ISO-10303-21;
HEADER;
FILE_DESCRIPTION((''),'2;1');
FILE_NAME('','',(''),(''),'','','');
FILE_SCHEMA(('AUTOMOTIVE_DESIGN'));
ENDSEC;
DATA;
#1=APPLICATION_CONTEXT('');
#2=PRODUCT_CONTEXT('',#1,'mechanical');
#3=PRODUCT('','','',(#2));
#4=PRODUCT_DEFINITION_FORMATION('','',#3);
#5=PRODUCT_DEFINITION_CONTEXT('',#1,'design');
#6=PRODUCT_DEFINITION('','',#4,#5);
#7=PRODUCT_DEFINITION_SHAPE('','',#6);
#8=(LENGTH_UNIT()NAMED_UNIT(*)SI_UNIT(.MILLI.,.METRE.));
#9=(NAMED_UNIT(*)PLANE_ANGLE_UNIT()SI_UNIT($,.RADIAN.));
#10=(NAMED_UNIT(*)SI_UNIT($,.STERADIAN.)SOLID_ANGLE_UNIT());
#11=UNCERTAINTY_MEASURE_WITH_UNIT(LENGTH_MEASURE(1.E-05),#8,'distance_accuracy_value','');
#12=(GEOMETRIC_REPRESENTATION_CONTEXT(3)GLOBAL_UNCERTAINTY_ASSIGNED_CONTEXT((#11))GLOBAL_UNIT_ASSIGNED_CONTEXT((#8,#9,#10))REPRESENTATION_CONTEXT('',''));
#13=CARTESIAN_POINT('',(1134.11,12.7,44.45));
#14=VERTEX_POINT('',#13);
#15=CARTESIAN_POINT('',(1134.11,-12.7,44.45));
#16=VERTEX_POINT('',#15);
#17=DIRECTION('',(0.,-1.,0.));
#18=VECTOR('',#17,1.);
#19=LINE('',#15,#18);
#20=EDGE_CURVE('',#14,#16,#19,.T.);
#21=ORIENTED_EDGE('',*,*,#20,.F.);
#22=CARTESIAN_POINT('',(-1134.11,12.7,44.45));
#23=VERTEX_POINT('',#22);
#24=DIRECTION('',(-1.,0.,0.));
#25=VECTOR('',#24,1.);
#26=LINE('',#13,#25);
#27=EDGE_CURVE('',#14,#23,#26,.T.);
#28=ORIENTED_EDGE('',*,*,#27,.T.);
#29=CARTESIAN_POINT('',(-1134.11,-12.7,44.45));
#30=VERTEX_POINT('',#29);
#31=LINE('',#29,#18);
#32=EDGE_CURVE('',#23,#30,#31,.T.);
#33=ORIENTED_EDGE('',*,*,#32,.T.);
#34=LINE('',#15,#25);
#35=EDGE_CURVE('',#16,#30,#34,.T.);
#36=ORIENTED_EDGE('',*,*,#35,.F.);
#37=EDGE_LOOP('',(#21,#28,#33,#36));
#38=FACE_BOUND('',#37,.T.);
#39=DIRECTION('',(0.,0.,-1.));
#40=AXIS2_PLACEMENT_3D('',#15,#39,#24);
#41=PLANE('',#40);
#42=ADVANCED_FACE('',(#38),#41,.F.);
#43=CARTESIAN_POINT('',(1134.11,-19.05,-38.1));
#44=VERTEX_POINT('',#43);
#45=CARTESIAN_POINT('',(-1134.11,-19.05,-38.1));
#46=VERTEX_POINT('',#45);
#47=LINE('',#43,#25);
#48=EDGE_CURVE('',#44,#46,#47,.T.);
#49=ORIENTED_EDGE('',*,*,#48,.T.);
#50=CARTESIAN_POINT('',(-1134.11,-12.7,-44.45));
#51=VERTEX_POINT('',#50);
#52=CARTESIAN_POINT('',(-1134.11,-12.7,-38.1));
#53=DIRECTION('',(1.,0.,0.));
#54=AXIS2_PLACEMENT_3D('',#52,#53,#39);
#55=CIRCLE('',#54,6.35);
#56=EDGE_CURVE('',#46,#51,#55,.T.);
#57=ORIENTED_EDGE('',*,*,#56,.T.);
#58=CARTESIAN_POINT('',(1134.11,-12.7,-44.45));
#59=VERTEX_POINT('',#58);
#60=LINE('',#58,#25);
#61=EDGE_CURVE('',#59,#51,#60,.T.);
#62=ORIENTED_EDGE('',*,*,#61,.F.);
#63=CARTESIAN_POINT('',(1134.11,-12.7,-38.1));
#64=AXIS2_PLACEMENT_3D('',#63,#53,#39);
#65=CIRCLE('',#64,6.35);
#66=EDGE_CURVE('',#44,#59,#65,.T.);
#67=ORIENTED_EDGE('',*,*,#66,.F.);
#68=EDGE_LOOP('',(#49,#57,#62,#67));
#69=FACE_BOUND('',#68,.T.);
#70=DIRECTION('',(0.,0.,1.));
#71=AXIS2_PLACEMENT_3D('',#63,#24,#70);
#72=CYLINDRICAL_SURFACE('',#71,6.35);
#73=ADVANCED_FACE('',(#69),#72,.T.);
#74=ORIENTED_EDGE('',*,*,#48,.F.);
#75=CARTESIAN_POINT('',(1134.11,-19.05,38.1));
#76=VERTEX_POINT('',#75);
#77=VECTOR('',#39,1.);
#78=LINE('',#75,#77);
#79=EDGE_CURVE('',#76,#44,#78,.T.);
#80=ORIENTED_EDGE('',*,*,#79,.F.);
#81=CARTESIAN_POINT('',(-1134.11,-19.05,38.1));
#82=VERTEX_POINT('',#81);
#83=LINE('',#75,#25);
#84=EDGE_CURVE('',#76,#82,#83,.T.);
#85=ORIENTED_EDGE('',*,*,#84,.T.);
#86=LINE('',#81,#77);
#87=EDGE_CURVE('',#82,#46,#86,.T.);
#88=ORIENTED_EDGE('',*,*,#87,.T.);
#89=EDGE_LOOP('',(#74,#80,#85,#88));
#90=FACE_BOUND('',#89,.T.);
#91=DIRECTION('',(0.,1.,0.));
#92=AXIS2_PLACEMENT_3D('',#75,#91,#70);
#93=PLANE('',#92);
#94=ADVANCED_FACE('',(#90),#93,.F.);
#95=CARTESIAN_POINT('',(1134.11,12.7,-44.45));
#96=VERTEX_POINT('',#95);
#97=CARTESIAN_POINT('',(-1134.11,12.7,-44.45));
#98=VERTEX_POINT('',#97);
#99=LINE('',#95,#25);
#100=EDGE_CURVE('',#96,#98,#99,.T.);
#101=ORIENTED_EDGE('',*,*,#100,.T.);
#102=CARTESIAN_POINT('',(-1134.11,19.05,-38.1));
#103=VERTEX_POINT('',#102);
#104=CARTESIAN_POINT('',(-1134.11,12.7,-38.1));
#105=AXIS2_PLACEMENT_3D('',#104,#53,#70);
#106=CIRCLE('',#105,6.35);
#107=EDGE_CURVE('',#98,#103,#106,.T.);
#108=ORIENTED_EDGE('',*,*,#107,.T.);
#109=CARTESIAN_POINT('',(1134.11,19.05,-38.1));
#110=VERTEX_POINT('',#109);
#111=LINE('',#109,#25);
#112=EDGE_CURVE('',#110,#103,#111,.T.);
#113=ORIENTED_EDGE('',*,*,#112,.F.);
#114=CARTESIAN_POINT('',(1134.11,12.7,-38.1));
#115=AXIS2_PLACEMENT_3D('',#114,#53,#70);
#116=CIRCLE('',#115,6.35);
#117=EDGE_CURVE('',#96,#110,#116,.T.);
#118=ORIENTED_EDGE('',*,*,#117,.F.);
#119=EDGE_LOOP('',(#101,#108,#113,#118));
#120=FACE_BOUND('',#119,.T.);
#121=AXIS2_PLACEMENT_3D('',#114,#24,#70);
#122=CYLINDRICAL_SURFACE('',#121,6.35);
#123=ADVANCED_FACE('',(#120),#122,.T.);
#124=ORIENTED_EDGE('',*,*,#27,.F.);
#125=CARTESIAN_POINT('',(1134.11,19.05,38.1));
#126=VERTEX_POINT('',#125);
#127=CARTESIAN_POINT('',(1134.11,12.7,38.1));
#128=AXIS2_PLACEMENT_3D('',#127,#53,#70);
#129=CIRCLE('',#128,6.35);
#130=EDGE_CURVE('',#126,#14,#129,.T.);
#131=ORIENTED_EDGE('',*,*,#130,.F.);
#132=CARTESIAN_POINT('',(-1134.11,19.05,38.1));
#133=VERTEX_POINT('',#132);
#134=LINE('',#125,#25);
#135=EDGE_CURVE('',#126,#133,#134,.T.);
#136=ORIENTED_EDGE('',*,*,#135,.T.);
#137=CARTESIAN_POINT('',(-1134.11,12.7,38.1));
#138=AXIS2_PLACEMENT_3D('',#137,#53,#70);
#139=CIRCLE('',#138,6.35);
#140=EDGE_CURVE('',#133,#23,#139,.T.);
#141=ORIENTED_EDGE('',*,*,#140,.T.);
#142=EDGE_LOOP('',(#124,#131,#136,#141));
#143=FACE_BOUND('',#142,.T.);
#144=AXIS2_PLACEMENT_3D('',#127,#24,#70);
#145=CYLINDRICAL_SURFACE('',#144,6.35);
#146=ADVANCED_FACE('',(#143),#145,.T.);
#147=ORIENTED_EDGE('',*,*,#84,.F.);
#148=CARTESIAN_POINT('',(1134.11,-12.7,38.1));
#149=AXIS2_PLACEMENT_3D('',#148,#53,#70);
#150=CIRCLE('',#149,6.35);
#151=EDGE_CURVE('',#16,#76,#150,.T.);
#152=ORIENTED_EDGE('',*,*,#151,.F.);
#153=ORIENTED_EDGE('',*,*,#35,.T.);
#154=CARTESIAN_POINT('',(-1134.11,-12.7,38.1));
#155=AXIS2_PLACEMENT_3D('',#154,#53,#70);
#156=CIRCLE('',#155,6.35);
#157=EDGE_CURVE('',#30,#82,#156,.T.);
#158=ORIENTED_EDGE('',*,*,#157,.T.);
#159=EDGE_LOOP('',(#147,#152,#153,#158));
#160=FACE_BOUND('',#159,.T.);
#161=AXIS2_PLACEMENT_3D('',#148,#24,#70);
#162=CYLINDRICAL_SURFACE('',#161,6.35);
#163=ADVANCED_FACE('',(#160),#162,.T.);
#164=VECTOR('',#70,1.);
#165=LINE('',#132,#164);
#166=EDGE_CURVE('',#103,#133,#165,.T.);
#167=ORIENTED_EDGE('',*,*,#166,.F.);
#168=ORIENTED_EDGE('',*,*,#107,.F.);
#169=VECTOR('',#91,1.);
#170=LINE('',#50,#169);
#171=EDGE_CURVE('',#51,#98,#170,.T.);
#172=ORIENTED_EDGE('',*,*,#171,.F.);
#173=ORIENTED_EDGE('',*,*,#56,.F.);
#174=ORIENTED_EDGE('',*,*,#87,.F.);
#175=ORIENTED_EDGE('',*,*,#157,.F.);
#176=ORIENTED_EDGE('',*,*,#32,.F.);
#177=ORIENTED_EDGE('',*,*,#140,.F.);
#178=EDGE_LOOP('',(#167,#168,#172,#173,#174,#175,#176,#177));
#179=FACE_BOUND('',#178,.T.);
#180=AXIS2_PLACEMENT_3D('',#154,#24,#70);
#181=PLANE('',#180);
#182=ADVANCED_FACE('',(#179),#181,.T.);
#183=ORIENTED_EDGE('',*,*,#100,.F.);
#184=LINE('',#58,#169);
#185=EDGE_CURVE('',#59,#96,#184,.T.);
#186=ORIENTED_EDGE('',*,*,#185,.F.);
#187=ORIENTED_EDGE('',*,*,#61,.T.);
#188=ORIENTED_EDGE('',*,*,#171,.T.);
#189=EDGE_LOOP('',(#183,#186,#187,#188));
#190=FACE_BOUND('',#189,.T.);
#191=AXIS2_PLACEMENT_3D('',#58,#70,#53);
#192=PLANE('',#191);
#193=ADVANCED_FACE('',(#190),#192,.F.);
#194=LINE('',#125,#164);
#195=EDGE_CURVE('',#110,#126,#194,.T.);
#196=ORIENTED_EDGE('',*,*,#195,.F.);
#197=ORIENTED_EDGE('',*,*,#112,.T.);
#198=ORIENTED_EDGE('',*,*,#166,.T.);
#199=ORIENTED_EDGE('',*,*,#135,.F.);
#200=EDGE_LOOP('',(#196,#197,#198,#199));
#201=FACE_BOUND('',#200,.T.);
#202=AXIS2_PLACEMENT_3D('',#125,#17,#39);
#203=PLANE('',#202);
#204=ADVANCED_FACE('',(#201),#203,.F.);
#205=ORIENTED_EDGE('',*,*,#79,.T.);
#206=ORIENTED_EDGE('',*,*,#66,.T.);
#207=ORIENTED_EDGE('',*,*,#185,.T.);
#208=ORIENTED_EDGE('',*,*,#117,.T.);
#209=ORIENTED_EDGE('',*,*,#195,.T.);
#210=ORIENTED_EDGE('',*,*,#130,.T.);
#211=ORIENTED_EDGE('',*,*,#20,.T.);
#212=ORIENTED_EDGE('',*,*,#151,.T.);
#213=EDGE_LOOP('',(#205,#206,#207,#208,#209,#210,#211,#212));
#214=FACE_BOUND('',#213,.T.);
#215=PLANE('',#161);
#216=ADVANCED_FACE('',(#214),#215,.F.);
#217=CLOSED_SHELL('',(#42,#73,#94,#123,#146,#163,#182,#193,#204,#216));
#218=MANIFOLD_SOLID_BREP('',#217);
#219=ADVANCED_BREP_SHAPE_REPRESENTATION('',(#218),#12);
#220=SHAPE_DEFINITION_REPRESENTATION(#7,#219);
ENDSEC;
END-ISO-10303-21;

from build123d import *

# Parameters (mm, degrees)
BOSS_EXTRUDE1_DEPTH = 1134.11


with BuildPart() as part:
    # Sketch1 → Boss-Extrude1 (new body, symmetric)
    with BuildSketch(Plane(origin=(0, 0, 0), x_dir=(0, 0, -1), z_dir=(1, 0, 0))):
        with BuildLine():
            Line((-38.1, -19.05), (38.1, -19.05))
            ThreePointArc((38.1, -19.05), (42.590128061, -17.190128061), (44.45, -12.7))
            Line((44.45, -12.7), (44.45, 12.7))
            ThreePointArc((44.45, 12.7), (42.590128061, 17.190128061), (38.1, 19.05))
            Line((38.1, 19.05), (-38.1, 19.05))
            ThreePointArc((-38.1, 19.05), (-42.590128061, 17.190128061), (-44.45, 12.7))
            Line((-44.45, 12.7), (-44.45, -12.7))
            ThreePointArc((-44.45, -12.7), (-42.590128061, -17.190128061), (-38.1, -19.05))
        make_face()
    extrude(amount=BOSS_EXTRUDE1_DEPTH, both=True)


solid = part.part
